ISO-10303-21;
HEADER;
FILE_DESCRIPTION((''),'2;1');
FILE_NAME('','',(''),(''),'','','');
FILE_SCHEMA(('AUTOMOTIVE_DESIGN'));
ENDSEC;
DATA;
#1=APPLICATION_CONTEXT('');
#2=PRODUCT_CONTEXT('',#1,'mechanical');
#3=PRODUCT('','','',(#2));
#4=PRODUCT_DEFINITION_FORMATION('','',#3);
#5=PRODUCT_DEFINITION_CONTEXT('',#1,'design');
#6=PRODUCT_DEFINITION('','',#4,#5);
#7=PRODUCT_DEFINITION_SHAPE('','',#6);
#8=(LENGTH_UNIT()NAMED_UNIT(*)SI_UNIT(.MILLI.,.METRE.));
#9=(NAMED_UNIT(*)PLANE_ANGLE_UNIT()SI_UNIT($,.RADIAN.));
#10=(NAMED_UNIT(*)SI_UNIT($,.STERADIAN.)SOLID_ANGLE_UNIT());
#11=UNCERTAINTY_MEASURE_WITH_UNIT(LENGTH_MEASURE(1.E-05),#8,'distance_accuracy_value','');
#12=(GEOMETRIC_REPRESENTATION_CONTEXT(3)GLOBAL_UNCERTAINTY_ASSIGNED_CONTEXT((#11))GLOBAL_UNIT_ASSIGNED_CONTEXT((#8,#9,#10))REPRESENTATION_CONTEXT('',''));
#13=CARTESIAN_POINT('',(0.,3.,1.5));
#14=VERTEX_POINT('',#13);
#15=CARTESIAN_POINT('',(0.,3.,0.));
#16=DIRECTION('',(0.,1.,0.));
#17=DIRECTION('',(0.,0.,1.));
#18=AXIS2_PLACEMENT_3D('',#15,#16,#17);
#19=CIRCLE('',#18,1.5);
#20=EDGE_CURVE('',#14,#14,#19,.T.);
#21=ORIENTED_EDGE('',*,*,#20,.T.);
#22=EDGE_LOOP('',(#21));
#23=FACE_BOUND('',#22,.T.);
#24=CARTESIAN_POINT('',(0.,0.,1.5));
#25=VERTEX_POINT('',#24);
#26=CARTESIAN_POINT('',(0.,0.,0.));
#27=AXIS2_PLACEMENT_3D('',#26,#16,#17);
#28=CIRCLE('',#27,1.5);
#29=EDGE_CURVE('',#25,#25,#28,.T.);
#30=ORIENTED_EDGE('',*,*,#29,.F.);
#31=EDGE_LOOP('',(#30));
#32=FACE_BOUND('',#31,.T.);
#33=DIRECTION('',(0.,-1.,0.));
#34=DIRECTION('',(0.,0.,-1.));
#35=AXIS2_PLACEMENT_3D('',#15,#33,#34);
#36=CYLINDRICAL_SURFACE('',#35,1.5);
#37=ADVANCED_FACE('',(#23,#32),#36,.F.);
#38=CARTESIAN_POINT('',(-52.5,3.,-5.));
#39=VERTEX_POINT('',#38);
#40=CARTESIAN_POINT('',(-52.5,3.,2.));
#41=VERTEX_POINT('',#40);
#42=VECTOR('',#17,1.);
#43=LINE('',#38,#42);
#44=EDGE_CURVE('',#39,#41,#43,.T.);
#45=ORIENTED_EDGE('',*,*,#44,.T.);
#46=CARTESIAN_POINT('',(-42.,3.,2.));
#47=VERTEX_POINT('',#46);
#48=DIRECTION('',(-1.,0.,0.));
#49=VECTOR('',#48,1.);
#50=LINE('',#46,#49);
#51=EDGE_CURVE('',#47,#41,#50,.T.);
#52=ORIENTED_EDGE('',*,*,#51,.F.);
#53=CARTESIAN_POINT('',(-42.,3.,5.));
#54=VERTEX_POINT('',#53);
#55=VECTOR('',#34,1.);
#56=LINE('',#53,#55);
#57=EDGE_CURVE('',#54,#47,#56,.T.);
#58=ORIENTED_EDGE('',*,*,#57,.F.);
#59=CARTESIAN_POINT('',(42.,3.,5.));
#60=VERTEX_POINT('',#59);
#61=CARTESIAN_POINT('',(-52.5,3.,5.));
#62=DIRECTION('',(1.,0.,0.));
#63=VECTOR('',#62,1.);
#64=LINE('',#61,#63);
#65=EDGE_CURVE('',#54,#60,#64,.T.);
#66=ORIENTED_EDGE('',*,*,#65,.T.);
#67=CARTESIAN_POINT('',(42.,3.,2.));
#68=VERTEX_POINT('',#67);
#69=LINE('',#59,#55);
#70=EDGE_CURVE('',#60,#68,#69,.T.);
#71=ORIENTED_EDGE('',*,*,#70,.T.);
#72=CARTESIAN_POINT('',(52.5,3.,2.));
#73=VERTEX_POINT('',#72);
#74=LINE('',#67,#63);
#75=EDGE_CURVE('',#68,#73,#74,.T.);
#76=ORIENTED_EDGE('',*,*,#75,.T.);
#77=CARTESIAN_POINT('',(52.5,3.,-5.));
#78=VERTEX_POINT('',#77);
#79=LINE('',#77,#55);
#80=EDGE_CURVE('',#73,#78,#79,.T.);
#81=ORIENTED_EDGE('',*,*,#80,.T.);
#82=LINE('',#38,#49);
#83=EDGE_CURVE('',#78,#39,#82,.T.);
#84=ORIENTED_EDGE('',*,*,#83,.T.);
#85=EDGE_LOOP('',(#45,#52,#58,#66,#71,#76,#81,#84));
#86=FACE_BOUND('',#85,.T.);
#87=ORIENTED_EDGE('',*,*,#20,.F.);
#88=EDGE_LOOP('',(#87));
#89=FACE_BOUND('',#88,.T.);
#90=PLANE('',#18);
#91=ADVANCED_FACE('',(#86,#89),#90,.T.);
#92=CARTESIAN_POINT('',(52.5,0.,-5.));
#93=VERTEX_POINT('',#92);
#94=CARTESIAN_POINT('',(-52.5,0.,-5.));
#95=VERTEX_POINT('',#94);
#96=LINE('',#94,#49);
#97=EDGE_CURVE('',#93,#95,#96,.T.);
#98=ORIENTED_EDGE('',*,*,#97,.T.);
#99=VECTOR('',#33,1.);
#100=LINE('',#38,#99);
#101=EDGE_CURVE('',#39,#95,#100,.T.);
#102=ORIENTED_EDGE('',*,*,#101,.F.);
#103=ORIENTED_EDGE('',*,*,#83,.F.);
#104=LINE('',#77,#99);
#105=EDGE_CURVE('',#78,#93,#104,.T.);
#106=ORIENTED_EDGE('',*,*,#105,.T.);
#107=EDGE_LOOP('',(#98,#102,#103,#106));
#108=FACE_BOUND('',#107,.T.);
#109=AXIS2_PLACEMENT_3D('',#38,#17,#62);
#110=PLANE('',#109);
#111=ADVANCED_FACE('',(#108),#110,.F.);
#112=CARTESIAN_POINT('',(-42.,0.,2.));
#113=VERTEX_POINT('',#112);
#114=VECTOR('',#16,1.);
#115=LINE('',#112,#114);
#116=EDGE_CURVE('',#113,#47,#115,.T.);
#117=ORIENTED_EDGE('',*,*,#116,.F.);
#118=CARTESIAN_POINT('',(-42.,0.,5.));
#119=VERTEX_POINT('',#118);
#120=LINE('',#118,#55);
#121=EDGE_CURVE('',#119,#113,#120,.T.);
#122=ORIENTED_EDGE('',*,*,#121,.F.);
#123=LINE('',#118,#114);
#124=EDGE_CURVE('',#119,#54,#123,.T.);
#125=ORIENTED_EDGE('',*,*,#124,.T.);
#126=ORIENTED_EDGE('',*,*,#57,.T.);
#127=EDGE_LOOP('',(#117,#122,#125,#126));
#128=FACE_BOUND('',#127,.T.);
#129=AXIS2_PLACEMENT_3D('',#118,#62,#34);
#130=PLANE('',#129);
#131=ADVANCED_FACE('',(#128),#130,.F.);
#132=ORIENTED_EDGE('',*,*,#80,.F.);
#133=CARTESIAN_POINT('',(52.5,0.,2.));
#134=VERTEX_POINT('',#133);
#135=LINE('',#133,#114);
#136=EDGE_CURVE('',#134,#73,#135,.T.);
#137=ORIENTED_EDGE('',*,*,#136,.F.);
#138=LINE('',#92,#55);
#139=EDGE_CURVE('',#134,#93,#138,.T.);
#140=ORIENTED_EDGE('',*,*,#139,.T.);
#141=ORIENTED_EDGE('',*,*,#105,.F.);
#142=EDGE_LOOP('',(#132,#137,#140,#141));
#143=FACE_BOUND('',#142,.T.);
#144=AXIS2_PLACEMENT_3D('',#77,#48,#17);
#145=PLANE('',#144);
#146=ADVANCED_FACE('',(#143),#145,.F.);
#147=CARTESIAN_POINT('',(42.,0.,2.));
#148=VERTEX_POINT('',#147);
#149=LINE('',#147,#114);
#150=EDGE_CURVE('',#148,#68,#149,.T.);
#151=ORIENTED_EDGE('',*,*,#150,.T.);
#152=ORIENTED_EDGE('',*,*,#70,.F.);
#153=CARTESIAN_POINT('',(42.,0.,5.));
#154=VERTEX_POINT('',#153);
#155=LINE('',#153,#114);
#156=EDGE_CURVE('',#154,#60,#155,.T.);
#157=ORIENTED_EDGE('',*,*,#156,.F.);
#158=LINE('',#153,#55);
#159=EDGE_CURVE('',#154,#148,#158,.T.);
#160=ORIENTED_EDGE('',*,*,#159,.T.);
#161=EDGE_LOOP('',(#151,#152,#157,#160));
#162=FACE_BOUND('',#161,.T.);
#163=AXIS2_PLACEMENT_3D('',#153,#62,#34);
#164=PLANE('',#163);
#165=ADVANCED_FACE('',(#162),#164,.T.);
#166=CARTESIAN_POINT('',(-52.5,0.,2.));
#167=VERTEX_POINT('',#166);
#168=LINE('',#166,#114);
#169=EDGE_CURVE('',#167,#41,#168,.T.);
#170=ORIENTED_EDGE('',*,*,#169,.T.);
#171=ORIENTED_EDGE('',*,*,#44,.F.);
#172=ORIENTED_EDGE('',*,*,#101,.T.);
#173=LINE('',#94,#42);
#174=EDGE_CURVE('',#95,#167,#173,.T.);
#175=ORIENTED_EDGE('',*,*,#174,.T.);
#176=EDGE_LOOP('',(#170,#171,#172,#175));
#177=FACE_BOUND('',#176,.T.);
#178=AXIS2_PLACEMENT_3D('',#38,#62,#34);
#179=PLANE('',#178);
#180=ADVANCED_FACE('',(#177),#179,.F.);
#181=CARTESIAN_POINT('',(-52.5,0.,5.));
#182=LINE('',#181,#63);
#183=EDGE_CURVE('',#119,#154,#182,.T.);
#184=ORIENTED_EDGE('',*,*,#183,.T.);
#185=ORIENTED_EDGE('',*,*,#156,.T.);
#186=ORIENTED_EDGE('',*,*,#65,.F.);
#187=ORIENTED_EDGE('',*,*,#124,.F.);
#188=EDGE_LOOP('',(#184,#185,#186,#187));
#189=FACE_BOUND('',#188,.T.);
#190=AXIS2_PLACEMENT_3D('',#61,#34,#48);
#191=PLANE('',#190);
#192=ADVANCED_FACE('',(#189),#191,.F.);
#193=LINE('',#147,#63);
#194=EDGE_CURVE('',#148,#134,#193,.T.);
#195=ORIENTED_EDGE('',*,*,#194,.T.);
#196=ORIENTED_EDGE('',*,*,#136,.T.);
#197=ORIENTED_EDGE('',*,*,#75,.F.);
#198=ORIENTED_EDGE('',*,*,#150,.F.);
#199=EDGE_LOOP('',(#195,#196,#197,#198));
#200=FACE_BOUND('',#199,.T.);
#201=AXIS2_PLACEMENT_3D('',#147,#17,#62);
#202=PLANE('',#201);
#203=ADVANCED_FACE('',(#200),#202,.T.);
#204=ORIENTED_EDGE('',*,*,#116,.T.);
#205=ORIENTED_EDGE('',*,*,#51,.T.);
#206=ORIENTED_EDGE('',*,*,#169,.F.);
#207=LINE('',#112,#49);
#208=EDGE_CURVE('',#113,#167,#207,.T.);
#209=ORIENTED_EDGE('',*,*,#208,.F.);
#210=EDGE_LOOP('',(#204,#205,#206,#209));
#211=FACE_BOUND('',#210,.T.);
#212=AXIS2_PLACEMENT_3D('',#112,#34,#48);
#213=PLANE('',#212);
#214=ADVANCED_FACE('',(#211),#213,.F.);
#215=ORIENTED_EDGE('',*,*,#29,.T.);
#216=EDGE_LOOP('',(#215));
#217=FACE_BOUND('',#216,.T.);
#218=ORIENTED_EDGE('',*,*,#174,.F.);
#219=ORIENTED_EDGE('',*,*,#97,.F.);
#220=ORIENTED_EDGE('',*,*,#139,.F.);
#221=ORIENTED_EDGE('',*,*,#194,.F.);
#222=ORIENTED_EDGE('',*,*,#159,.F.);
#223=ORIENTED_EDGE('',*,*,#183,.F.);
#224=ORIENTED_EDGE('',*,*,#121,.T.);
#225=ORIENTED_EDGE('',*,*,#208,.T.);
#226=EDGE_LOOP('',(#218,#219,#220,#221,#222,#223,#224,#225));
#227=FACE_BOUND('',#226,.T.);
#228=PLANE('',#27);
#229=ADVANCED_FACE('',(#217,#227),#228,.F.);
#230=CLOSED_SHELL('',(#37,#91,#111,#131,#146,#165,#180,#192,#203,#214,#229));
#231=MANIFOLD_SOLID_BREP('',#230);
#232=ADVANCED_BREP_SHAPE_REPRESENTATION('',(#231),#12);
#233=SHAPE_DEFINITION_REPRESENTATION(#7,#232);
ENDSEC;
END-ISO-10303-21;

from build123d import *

# Parameters (mm, degrees)
SKETCH1_W           = 105
SKETCH1_H           = 10
SKETCH1_R           = 1.5
BOSS_EXTRUDE1_DEPTH = 3
SKETCH2_W           = 10.5
SKETCH2_H           = 3
CUT_EXTRUDE1_DEPTH  = 53.82281704


with BuildPart() as part:
    # Sketch1 → Boss-Extrude1 (new body)
    with BuildSketch(Plane(origin=(0, 0, 0), x_dir=(1, 0, 0), z_dir=(0, 1, 0))):
        Rectangle(SKETCH1_W, SKETCH1_H)
        with Locations(Location((0, 0, 0), (0, 0, 270))):
            Circle(SKETCH1_R, mode=Mode.SUBTRACT)
    extrude(amount=BOSS_EXTRUDE1_DEPTH)

    # Sketch2 → Cut-Extrude1 (cut, through all)
    with BuildSketch(Plane(origin=(0, 3, 0), x_dir=(1, 0, 0), z_dir=(0, 1, 0))):
        with Locations((-47.25, -3.5)):
            Rectangle(SKETCH2_W, SKETCH2_H)
    cut_extrude1 = extrude(amount=-CUT_EXTRUDE1_DEPTH, mode=Mode.SUBTRACT)

    # Mirror2: Cut-Extrude1 across plane
    add(cut_extrude1.mirror(Plane(origin=(0, 0, 0), x_dir=(0, 0, 1), z_dir=(1, 0, 0))), mode=Mode.SUBTRACT)


solid = part.part
